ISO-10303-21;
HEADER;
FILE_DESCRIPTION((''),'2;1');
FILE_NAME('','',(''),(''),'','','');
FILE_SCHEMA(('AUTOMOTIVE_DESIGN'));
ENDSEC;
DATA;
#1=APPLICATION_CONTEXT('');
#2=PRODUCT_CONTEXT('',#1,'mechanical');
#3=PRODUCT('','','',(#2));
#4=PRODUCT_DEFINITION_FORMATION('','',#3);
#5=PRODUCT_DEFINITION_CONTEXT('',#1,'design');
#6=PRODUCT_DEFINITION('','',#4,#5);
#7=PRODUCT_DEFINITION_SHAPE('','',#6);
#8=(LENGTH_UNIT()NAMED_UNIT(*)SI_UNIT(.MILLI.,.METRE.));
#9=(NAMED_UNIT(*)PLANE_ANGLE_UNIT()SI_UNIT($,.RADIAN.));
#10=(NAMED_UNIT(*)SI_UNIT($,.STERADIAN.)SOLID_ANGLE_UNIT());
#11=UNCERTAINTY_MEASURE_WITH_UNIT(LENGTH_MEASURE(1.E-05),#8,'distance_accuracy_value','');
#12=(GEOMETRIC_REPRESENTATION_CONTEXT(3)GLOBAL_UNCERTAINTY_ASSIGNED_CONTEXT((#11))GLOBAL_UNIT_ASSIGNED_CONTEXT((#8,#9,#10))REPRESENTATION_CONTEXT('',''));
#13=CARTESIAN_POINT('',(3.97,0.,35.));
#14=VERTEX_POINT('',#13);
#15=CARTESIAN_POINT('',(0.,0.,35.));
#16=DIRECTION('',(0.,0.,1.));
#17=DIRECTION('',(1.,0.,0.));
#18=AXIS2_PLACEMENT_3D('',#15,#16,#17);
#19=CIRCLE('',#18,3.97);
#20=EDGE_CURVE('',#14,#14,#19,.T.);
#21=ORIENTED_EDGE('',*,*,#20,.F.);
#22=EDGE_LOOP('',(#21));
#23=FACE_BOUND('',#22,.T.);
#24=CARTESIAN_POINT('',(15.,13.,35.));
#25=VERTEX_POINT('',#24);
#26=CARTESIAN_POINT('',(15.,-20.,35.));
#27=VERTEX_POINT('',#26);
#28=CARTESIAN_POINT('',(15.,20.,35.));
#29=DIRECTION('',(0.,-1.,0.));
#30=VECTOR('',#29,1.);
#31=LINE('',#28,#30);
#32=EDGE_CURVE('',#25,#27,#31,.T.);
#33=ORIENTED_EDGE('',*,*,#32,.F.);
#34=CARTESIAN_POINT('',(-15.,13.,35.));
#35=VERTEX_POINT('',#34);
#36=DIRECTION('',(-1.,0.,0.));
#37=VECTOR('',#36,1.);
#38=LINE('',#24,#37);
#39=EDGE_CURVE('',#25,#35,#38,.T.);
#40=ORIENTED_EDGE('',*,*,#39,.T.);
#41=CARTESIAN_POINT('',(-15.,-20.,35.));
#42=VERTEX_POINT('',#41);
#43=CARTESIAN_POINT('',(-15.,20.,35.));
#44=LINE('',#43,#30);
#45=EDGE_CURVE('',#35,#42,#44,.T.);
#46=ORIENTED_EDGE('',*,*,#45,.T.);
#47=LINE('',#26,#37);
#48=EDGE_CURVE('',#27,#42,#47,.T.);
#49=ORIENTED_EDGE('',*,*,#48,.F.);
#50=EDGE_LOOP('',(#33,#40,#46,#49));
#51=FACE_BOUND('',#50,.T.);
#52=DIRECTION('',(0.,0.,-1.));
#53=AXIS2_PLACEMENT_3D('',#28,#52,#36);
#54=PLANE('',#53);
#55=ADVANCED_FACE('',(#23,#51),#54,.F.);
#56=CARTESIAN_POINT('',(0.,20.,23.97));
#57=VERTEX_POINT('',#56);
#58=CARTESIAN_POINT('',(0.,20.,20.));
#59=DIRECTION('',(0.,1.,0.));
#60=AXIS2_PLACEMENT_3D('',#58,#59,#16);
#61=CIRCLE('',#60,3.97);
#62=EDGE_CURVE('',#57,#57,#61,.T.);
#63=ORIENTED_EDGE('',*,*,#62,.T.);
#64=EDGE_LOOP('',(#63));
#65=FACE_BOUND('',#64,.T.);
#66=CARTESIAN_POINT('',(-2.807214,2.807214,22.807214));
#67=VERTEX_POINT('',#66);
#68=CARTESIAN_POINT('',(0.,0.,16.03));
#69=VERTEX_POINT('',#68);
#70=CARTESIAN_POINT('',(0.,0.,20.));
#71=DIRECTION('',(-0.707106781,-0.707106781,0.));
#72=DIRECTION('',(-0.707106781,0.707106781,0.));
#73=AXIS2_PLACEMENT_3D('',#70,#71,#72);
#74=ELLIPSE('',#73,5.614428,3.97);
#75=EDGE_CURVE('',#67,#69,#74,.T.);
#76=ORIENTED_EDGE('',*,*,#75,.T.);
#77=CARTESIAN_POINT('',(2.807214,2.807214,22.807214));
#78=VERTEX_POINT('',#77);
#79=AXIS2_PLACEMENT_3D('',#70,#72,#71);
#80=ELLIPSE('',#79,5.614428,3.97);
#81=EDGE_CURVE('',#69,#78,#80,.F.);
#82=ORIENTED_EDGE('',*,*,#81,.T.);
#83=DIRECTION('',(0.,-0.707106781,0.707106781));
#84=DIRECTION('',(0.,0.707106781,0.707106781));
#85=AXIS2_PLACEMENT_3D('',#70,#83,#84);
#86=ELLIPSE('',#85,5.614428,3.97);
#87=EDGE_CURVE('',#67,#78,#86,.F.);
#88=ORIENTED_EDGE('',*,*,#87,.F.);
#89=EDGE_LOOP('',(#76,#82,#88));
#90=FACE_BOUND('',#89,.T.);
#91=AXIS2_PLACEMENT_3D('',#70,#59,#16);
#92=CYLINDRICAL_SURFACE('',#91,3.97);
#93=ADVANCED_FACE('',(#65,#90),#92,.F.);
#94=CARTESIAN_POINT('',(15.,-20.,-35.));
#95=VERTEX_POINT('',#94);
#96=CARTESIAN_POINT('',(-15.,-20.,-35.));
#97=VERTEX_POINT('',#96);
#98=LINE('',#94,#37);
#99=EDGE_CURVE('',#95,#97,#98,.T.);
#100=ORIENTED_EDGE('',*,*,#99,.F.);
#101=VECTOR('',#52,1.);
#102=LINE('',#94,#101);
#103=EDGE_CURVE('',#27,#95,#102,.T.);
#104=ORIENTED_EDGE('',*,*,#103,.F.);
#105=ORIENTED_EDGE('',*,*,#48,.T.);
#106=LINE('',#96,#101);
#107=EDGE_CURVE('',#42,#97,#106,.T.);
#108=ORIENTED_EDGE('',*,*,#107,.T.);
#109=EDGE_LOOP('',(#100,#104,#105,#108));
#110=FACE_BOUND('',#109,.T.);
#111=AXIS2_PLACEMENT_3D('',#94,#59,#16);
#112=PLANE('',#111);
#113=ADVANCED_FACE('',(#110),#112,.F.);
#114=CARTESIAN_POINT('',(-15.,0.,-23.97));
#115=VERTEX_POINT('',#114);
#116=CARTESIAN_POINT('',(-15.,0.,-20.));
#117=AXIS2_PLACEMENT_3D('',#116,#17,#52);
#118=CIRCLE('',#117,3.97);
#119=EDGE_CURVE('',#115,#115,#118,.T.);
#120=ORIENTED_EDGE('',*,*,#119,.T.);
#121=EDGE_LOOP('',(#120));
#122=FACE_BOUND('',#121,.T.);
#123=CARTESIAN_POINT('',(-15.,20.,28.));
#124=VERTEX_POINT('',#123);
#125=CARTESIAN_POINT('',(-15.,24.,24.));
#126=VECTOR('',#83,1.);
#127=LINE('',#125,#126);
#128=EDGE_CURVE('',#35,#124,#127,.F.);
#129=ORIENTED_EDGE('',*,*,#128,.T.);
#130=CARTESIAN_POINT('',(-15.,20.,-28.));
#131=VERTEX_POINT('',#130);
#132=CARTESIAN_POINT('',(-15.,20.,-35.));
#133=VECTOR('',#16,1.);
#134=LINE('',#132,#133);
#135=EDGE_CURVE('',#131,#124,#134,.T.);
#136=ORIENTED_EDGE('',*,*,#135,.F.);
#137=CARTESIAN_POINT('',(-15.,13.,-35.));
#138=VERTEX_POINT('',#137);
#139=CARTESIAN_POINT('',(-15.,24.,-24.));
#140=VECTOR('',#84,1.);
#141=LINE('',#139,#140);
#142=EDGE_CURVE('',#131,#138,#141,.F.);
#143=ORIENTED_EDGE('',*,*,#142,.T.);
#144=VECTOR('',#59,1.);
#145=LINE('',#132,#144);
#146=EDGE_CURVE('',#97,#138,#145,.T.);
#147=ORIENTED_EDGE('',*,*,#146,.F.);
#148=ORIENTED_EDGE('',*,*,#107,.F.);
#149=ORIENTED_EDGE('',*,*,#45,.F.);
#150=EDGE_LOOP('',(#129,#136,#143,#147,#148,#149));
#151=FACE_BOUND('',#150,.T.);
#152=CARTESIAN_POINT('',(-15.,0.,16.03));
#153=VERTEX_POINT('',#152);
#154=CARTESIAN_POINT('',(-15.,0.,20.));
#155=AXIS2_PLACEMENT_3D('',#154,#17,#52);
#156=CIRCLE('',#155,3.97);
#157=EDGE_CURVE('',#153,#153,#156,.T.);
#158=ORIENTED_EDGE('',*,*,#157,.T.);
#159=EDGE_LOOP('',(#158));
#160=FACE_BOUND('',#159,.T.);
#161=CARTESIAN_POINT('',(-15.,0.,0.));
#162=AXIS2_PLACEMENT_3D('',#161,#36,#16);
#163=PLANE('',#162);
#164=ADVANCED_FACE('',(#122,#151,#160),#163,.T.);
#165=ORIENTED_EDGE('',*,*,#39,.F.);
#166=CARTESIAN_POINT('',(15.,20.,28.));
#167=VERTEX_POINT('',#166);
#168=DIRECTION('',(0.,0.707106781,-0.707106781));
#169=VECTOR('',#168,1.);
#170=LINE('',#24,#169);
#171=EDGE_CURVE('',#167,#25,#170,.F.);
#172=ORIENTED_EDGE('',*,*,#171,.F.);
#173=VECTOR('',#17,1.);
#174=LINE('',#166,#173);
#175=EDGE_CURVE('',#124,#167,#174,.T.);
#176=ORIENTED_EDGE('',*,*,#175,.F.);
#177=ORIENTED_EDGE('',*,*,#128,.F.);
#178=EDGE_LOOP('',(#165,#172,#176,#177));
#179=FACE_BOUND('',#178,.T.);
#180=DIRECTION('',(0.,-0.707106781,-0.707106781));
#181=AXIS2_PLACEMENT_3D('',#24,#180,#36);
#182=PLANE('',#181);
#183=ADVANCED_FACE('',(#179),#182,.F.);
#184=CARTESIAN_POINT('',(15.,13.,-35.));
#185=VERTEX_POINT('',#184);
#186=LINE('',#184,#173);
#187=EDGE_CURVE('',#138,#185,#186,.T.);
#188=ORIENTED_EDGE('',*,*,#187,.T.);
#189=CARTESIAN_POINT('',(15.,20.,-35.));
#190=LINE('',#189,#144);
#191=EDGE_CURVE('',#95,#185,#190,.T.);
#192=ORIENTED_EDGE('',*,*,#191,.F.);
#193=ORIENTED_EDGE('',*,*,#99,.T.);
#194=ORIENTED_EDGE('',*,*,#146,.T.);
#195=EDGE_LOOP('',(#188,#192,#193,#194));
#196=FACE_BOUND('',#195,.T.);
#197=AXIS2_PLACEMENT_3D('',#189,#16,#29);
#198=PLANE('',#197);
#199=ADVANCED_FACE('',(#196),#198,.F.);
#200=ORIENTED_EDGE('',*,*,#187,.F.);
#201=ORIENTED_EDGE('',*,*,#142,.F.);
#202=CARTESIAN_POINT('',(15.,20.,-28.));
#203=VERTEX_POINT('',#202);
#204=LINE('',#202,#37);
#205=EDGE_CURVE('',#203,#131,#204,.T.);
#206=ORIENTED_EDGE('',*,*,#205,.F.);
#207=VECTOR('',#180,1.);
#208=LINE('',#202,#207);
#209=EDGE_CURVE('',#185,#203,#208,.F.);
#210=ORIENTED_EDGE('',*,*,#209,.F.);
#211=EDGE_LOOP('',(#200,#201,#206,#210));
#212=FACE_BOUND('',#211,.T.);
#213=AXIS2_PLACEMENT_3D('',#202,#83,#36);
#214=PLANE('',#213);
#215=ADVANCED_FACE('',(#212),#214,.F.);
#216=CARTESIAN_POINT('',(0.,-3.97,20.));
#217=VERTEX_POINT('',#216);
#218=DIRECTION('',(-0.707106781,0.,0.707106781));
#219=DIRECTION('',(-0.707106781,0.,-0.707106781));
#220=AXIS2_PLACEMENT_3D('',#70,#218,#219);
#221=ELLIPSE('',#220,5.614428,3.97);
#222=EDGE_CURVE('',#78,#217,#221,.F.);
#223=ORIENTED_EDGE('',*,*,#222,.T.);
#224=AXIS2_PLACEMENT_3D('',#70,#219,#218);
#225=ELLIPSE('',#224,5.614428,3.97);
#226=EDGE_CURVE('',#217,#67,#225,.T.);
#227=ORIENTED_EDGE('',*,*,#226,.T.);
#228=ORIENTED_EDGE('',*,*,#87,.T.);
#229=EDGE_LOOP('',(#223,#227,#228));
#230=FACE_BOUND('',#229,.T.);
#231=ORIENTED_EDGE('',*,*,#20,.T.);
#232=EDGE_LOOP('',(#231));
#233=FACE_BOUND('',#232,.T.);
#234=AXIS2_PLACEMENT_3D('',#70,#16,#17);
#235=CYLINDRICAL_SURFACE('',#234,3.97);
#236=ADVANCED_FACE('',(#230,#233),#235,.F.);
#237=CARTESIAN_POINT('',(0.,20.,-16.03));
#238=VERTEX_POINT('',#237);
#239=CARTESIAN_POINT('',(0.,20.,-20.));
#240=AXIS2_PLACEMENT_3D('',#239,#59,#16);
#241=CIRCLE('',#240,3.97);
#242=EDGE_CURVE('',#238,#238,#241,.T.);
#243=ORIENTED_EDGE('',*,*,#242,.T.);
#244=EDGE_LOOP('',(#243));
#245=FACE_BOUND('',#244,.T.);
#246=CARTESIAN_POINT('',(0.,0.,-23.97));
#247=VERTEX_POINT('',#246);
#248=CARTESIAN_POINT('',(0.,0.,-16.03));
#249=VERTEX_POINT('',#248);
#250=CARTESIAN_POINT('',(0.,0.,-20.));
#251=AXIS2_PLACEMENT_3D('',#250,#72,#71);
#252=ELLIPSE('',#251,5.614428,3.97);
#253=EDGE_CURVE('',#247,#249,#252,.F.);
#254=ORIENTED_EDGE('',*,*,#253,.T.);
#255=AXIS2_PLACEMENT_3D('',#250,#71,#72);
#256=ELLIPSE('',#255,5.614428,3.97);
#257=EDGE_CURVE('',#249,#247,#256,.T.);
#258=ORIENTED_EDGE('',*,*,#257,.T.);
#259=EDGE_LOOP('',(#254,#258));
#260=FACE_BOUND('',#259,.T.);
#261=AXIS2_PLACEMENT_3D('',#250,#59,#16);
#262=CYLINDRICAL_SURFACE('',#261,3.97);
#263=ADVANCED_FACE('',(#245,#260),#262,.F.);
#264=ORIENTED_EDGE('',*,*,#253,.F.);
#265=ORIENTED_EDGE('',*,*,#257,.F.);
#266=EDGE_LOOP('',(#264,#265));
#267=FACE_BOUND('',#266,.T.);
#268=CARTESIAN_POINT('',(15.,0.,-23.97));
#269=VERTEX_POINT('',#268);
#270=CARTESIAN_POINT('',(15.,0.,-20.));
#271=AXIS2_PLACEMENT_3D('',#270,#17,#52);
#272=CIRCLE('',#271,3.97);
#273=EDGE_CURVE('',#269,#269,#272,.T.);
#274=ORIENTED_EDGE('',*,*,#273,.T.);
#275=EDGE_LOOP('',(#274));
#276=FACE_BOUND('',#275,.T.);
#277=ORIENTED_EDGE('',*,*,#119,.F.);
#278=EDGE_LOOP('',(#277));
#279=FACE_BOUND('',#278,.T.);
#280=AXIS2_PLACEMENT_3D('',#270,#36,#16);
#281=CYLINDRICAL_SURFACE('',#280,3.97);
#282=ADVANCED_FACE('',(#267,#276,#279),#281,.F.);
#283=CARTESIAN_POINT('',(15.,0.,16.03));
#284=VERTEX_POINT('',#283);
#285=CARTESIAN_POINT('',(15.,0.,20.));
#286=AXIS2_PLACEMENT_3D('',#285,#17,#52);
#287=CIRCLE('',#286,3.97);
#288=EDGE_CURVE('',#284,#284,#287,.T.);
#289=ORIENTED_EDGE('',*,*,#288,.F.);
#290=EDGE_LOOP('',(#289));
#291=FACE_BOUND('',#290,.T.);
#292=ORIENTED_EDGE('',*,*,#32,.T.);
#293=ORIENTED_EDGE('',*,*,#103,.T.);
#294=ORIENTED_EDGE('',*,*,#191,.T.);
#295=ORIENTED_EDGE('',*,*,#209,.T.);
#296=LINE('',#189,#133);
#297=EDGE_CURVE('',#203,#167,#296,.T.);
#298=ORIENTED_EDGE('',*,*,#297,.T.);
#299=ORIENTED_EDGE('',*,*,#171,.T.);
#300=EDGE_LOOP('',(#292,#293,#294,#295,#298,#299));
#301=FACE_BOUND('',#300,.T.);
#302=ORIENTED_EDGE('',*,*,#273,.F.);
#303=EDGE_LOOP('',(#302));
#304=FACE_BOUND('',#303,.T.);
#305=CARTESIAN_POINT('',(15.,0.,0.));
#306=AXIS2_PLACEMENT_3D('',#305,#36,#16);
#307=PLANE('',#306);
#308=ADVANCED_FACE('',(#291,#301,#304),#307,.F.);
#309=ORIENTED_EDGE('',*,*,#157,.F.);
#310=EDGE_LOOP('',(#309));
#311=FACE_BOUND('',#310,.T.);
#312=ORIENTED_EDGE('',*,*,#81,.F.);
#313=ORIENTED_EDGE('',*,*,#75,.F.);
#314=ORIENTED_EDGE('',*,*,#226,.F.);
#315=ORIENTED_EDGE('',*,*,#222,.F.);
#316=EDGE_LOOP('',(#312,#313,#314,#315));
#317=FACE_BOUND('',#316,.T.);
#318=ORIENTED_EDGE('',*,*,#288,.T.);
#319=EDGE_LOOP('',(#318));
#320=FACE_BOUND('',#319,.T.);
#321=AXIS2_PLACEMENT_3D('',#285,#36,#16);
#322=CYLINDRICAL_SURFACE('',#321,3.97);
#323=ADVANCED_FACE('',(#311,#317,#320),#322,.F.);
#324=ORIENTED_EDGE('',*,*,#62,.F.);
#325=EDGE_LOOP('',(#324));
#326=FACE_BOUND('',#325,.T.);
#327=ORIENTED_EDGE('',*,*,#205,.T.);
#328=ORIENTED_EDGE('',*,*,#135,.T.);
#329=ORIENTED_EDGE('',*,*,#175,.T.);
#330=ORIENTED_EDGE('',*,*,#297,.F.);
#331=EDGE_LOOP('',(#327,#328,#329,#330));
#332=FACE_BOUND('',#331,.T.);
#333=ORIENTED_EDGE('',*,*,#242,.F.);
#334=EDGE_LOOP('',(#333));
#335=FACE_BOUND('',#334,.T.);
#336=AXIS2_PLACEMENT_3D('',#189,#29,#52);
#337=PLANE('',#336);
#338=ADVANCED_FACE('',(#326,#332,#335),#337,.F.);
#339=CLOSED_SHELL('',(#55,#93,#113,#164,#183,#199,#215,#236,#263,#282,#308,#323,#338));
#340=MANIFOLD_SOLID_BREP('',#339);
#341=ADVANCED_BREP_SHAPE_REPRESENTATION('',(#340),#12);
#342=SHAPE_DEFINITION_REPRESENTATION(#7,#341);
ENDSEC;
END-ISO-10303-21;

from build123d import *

# Parameters (mm, degrees)
ESBO_O1_W                = 70
ESBO_O1_H                = 40
ESBO_O1_R                = 3.97
RESSALTO_EXTRUS_O1_DEPTH = 15
ESBO_O3_R                = 3.97
CORTE_EXTRUS_O2_DEPTH    = 15
ESBO_O4_R                = 3.97
CORTE_EXTRUS_O3_DEPTH    = 20
CHANFRO2_SIZE            = 7


with BuildPart() as part:
    # Esboço1 → Ressalto-extrusão1 (new body, symmetric)
    with BuildSketch(Plane(origin=(0, 0, 0), x_dir=(0, 0, -1), z_dir=(1, 0, 0))):
        Rectangle(ESBO_O1_W, ESBO_O1_H)
        with Locations((-20, 0)):
            Circle(ESBO_O1_R, mode=Mode.SUBTRACT)
        with Locations((20, 0)):
            Circle(ESBO_O1_R, mode=Mode.SUBTRACT)
    extrude(amount=RESSALTO_EXTRUS_O1_DEPTH, both=True)

    # Esboço3 → Corte-extrusão2 (cut)
    with BuildSketch(Plane.XY.offset(35)):
        Circle(ESBO_O3_R)
    extrude(amount=-CORTE_EXTRUS_O2_DEPTH, mode=Mode.SUBTRACT)

    # Esboço4 → Corte-extrusão3 (cut)
    with BuildSketch(Plane(origin=(0, 20, 0), x_dir=(1, 0, 0), z_dir=(0, 1, 0))):
        with Locations((0, 20)):
            Circle(ESBO_O4_R)
        with Locations((0, -20)):
            Circle(ESBO_O4_R)
    extrude(amount=-CORTE_EXTRUS_O3_DEPTH, mode=Mode.SUBTRACT)

    # Chanfro2
    chanfro2_edges = [part.edges().sort_by_distance(p)[0] for p in [
        (0, 20, 35),
        (0, 20, -35),
    ]]
    chamfer(chanfro2_edges, length=CHANFRO2_SIZE)


solid = part.part
